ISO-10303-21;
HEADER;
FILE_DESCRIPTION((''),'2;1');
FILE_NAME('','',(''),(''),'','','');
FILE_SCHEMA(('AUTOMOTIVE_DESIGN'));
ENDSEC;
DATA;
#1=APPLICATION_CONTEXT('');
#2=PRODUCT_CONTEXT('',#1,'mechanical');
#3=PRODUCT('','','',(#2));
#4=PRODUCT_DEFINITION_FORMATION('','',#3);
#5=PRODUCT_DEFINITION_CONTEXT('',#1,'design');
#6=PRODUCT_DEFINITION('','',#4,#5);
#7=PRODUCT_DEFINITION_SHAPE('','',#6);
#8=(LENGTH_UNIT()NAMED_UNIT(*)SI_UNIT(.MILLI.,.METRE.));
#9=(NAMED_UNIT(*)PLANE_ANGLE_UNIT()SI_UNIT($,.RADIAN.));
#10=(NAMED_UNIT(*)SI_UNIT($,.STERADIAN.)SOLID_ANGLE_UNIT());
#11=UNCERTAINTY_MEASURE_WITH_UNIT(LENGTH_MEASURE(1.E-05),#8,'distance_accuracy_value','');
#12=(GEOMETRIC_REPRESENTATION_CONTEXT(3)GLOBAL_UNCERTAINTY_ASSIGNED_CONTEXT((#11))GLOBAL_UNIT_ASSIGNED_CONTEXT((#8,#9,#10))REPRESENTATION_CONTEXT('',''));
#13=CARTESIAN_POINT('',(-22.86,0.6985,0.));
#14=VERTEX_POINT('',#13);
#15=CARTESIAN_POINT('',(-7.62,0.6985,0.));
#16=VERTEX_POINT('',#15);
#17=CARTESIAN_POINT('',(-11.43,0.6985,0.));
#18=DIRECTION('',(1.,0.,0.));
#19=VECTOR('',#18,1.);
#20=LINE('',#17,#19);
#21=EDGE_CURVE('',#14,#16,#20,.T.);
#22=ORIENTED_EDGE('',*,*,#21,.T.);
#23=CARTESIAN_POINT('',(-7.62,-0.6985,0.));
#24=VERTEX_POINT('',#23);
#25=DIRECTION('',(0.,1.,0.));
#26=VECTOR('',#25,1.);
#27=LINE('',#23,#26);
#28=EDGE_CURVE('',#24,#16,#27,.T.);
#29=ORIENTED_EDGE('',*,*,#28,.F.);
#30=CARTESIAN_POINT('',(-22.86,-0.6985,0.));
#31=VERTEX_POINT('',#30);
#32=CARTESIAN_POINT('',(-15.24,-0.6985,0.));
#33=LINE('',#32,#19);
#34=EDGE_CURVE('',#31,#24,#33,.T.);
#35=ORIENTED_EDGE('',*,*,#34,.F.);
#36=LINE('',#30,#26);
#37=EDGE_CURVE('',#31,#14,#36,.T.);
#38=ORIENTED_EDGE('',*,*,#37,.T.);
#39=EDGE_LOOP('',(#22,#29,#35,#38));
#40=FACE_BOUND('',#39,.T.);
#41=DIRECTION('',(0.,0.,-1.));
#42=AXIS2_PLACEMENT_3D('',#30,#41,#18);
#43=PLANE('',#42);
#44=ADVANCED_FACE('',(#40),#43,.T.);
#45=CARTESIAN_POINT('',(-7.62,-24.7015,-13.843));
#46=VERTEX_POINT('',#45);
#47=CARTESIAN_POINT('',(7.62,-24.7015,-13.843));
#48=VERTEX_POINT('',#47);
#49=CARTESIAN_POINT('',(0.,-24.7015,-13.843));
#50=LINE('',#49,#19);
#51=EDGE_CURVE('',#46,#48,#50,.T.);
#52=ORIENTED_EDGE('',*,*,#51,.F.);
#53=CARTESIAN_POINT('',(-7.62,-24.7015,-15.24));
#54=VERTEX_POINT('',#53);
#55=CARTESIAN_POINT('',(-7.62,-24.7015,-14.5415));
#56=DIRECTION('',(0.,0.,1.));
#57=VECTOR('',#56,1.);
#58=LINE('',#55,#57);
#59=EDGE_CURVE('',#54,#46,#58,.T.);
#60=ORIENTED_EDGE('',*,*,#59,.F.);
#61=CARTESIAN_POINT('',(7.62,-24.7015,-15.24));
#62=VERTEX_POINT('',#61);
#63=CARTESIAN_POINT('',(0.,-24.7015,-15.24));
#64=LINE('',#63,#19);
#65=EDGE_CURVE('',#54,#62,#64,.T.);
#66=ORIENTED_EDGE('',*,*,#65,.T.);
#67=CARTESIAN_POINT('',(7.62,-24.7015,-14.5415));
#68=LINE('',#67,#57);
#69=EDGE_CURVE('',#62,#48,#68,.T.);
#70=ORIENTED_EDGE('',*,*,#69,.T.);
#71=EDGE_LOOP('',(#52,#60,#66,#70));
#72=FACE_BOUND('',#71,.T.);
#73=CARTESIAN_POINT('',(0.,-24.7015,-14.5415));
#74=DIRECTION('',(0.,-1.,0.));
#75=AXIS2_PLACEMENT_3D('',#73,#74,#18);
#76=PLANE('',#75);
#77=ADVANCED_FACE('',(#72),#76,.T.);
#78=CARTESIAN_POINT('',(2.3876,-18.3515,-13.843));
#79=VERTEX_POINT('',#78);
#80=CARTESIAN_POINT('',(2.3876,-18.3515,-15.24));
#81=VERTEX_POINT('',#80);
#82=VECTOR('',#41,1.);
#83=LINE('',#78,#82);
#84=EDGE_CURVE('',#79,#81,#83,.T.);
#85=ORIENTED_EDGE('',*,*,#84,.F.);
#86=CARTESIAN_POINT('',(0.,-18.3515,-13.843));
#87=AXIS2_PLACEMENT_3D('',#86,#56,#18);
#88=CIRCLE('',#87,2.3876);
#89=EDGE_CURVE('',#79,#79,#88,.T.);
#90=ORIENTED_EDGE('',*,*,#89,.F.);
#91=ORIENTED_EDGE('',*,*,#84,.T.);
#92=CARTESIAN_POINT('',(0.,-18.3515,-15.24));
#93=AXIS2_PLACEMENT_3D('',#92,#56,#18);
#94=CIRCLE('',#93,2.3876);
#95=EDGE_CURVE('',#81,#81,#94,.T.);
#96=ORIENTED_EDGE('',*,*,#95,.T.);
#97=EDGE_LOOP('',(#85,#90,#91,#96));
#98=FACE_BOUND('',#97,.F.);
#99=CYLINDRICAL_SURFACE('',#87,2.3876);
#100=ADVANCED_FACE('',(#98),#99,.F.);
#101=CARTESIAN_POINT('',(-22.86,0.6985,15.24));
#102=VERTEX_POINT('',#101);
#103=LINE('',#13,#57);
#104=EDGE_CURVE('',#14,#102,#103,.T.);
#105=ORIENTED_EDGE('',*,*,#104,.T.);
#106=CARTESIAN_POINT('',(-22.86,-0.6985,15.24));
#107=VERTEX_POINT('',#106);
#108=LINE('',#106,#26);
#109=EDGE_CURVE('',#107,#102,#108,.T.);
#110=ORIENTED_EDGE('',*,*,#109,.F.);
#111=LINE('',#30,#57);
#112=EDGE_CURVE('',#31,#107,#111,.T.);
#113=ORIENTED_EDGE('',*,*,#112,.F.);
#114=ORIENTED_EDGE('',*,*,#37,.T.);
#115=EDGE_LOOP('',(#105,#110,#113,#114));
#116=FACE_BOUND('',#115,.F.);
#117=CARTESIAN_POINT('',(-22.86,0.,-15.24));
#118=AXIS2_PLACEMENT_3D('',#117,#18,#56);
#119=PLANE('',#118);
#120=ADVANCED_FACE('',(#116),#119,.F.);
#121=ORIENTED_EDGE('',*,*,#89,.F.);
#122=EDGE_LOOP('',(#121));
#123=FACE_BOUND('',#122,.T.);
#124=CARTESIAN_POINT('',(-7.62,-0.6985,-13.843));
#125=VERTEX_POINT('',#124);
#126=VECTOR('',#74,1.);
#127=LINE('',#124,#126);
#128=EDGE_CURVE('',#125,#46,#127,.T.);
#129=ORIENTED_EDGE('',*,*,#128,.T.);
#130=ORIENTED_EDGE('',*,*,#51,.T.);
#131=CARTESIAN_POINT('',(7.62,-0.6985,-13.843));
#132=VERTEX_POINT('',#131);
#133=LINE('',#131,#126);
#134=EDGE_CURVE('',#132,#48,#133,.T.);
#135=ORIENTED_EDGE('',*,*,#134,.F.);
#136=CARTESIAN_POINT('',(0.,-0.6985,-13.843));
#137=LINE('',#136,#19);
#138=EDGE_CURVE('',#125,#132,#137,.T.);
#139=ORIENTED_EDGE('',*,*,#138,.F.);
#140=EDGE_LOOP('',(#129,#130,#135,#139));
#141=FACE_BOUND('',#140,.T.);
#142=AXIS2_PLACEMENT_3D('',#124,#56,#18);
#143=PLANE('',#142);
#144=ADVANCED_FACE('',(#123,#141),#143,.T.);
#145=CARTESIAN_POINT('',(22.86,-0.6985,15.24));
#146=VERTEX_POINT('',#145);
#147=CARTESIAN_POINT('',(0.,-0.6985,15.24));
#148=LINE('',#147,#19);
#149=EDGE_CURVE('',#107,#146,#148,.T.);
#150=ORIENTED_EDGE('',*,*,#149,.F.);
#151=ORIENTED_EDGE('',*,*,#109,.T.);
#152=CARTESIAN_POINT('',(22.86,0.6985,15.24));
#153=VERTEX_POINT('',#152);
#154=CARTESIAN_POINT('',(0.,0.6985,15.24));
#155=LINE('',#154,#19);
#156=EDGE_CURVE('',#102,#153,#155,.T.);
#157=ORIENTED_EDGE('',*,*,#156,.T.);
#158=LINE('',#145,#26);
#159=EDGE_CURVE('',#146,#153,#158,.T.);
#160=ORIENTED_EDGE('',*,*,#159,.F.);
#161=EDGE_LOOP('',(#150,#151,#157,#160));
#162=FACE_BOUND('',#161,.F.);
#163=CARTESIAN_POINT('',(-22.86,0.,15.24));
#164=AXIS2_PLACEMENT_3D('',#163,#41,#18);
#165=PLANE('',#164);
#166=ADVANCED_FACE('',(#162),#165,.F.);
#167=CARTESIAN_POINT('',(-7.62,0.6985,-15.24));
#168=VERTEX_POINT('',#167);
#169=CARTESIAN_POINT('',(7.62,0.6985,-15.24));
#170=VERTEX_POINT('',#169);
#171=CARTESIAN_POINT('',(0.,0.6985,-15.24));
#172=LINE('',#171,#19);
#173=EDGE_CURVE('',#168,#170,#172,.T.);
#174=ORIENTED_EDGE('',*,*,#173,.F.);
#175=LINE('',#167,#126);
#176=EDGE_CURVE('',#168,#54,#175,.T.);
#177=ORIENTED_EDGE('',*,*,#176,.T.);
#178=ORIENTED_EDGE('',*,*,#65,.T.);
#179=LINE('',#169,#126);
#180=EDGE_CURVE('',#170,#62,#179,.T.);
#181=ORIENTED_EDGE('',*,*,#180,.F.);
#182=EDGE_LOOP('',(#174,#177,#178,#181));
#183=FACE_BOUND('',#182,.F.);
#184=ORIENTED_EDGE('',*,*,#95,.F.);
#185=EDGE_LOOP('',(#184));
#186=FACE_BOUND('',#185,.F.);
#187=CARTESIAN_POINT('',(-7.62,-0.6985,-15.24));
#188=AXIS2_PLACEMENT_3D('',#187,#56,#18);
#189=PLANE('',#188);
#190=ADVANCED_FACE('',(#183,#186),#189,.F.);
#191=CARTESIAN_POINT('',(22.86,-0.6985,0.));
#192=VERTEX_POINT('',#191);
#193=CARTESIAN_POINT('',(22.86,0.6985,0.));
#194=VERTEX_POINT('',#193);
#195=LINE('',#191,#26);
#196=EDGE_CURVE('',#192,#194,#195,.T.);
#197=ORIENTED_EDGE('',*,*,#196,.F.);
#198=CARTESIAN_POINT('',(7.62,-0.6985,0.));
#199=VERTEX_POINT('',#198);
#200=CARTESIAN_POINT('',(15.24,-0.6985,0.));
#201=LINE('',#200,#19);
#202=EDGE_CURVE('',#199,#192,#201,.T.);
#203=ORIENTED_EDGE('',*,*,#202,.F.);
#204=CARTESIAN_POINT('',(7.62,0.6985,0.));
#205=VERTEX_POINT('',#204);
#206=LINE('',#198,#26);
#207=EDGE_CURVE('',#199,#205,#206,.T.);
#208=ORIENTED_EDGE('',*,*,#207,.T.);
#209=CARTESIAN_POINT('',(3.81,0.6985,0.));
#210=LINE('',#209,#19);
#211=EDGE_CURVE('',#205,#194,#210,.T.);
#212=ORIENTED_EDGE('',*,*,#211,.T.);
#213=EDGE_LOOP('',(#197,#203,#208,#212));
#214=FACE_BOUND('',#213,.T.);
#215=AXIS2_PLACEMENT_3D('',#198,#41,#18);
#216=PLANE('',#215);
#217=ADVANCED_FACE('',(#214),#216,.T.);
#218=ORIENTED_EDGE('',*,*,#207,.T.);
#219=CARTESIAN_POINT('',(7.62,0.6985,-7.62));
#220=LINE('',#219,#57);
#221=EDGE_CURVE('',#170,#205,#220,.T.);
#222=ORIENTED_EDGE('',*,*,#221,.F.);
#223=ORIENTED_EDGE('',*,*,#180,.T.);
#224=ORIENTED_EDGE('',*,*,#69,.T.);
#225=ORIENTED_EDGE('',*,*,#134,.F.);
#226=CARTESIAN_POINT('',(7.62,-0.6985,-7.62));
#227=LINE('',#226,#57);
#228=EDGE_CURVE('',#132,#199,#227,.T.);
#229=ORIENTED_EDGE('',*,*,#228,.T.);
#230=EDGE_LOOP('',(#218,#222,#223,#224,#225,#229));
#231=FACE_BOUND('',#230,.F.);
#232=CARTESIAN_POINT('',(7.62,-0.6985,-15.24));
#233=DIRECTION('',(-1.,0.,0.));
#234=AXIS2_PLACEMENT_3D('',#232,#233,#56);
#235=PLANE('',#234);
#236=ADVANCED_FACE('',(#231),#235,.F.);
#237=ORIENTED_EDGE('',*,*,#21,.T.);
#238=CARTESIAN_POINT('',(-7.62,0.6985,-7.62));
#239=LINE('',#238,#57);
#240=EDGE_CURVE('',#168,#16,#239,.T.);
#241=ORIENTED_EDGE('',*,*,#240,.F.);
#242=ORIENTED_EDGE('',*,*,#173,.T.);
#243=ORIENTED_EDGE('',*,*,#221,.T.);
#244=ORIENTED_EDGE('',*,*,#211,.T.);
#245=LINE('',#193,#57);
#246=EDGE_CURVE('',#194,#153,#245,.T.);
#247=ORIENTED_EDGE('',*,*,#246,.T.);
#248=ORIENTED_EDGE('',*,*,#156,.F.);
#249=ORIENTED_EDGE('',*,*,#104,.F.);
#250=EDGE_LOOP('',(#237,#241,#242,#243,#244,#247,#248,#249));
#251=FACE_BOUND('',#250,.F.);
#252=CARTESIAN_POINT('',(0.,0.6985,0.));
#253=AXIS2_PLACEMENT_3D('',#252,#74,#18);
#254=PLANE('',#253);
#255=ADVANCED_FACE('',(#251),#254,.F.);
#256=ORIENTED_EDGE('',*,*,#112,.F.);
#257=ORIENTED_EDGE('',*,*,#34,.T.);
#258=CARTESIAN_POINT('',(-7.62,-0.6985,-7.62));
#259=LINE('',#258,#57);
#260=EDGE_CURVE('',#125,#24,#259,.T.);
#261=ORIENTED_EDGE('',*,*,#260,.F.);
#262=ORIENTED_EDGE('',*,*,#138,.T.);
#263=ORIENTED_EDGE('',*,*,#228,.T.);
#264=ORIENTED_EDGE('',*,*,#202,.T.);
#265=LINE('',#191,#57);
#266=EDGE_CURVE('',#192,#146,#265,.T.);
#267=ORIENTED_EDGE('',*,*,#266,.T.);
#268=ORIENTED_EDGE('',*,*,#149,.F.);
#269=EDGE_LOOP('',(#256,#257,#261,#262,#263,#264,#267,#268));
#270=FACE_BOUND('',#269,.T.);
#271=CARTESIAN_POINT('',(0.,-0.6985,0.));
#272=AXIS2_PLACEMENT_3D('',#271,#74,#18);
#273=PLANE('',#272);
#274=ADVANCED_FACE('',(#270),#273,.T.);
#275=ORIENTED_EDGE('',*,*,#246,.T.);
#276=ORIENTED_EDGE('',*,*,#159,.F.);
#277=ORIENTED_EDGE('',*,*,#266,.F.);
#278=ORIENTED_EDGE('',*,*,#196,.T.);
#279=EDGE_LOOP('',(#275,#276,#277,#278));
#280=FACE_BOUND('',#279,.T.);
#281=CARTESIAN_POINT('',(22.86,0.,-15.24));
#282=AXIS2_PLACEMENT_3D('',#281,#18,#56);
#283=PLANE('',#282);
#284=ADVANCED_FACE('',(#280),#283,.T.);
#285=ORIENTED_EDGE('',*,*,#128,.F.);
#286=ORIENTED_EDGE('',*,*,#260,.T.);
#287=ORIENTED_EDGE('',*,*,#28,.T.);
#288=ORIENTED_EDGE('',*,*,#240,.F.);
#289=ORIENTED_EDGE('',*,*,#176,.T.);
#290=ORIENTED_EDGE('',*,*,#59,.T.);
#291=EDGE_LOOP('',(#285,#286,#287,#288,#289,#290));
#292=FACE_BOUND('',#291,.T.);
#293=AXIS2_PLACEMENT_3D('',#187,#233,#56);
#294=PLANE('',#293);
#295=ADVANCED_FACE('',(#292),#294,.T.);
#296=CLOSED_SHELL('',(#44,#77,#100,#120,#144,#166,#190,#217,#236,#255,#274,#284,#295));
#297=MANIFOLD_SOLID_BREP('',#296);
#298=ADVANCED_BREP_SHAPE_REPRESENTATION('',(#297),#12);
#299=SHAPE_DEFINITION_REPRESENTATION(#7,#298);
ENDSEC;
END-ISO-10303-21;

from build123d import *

# Parameters (mm, degrees)
F0_W     = 45.72
F0_H     = 30.48
F1_DEPTH = 0.6985
F2_W     = 15.24
F2_H     = 15.24
F3_DEPTH = 1.398
F4_W     = 15.24
F4_H     = 1.397
F5_DEPTH = 24.003
F6_R     = 2.3876
F7_DEPTH = 1.398


with BuildPart() as f1:
    # F0 (on Front) → F1 (new body, symmetric)
    with BuildSketch(Plane.XZ):
        Rectangle(F0_W, F0_H)
    extrude(amount=F1_DEPTH, both=True)

    # F2 (on face) → F3 (cut, through all)
    with BuildSketch(Plane.XZ.offset(0.6985)):
        with Locations((-15.24, -7.62)):
            Rectangle(F2_W, F2_H)
        with Locations((15.24, -7.62)):
            Rectangle(F2_W, F2_H)
    extrude(amount=-F3_DEPTH, mode=Mode.SUBTRACT)

    # F4 (on face) → F5 (join)
    with BuildSketch(Plane.XZ.offset(0.6985)):
        with Locations((0, -14.5415)):
            Rectangle(F4_W, F4_H)
    extrude(amount=F5_DEPTH)

    # F6 (on face) → F7 (cut, through all)
    with BuildSketch(Plane.XY.offset(-13.843)):
        with Locations((0, -18.3515)):
            Circle(F6_R)
    extrude(amount=-F7_DEPTH, mode=Mode.SUBTRACT)


solid = f1.part
